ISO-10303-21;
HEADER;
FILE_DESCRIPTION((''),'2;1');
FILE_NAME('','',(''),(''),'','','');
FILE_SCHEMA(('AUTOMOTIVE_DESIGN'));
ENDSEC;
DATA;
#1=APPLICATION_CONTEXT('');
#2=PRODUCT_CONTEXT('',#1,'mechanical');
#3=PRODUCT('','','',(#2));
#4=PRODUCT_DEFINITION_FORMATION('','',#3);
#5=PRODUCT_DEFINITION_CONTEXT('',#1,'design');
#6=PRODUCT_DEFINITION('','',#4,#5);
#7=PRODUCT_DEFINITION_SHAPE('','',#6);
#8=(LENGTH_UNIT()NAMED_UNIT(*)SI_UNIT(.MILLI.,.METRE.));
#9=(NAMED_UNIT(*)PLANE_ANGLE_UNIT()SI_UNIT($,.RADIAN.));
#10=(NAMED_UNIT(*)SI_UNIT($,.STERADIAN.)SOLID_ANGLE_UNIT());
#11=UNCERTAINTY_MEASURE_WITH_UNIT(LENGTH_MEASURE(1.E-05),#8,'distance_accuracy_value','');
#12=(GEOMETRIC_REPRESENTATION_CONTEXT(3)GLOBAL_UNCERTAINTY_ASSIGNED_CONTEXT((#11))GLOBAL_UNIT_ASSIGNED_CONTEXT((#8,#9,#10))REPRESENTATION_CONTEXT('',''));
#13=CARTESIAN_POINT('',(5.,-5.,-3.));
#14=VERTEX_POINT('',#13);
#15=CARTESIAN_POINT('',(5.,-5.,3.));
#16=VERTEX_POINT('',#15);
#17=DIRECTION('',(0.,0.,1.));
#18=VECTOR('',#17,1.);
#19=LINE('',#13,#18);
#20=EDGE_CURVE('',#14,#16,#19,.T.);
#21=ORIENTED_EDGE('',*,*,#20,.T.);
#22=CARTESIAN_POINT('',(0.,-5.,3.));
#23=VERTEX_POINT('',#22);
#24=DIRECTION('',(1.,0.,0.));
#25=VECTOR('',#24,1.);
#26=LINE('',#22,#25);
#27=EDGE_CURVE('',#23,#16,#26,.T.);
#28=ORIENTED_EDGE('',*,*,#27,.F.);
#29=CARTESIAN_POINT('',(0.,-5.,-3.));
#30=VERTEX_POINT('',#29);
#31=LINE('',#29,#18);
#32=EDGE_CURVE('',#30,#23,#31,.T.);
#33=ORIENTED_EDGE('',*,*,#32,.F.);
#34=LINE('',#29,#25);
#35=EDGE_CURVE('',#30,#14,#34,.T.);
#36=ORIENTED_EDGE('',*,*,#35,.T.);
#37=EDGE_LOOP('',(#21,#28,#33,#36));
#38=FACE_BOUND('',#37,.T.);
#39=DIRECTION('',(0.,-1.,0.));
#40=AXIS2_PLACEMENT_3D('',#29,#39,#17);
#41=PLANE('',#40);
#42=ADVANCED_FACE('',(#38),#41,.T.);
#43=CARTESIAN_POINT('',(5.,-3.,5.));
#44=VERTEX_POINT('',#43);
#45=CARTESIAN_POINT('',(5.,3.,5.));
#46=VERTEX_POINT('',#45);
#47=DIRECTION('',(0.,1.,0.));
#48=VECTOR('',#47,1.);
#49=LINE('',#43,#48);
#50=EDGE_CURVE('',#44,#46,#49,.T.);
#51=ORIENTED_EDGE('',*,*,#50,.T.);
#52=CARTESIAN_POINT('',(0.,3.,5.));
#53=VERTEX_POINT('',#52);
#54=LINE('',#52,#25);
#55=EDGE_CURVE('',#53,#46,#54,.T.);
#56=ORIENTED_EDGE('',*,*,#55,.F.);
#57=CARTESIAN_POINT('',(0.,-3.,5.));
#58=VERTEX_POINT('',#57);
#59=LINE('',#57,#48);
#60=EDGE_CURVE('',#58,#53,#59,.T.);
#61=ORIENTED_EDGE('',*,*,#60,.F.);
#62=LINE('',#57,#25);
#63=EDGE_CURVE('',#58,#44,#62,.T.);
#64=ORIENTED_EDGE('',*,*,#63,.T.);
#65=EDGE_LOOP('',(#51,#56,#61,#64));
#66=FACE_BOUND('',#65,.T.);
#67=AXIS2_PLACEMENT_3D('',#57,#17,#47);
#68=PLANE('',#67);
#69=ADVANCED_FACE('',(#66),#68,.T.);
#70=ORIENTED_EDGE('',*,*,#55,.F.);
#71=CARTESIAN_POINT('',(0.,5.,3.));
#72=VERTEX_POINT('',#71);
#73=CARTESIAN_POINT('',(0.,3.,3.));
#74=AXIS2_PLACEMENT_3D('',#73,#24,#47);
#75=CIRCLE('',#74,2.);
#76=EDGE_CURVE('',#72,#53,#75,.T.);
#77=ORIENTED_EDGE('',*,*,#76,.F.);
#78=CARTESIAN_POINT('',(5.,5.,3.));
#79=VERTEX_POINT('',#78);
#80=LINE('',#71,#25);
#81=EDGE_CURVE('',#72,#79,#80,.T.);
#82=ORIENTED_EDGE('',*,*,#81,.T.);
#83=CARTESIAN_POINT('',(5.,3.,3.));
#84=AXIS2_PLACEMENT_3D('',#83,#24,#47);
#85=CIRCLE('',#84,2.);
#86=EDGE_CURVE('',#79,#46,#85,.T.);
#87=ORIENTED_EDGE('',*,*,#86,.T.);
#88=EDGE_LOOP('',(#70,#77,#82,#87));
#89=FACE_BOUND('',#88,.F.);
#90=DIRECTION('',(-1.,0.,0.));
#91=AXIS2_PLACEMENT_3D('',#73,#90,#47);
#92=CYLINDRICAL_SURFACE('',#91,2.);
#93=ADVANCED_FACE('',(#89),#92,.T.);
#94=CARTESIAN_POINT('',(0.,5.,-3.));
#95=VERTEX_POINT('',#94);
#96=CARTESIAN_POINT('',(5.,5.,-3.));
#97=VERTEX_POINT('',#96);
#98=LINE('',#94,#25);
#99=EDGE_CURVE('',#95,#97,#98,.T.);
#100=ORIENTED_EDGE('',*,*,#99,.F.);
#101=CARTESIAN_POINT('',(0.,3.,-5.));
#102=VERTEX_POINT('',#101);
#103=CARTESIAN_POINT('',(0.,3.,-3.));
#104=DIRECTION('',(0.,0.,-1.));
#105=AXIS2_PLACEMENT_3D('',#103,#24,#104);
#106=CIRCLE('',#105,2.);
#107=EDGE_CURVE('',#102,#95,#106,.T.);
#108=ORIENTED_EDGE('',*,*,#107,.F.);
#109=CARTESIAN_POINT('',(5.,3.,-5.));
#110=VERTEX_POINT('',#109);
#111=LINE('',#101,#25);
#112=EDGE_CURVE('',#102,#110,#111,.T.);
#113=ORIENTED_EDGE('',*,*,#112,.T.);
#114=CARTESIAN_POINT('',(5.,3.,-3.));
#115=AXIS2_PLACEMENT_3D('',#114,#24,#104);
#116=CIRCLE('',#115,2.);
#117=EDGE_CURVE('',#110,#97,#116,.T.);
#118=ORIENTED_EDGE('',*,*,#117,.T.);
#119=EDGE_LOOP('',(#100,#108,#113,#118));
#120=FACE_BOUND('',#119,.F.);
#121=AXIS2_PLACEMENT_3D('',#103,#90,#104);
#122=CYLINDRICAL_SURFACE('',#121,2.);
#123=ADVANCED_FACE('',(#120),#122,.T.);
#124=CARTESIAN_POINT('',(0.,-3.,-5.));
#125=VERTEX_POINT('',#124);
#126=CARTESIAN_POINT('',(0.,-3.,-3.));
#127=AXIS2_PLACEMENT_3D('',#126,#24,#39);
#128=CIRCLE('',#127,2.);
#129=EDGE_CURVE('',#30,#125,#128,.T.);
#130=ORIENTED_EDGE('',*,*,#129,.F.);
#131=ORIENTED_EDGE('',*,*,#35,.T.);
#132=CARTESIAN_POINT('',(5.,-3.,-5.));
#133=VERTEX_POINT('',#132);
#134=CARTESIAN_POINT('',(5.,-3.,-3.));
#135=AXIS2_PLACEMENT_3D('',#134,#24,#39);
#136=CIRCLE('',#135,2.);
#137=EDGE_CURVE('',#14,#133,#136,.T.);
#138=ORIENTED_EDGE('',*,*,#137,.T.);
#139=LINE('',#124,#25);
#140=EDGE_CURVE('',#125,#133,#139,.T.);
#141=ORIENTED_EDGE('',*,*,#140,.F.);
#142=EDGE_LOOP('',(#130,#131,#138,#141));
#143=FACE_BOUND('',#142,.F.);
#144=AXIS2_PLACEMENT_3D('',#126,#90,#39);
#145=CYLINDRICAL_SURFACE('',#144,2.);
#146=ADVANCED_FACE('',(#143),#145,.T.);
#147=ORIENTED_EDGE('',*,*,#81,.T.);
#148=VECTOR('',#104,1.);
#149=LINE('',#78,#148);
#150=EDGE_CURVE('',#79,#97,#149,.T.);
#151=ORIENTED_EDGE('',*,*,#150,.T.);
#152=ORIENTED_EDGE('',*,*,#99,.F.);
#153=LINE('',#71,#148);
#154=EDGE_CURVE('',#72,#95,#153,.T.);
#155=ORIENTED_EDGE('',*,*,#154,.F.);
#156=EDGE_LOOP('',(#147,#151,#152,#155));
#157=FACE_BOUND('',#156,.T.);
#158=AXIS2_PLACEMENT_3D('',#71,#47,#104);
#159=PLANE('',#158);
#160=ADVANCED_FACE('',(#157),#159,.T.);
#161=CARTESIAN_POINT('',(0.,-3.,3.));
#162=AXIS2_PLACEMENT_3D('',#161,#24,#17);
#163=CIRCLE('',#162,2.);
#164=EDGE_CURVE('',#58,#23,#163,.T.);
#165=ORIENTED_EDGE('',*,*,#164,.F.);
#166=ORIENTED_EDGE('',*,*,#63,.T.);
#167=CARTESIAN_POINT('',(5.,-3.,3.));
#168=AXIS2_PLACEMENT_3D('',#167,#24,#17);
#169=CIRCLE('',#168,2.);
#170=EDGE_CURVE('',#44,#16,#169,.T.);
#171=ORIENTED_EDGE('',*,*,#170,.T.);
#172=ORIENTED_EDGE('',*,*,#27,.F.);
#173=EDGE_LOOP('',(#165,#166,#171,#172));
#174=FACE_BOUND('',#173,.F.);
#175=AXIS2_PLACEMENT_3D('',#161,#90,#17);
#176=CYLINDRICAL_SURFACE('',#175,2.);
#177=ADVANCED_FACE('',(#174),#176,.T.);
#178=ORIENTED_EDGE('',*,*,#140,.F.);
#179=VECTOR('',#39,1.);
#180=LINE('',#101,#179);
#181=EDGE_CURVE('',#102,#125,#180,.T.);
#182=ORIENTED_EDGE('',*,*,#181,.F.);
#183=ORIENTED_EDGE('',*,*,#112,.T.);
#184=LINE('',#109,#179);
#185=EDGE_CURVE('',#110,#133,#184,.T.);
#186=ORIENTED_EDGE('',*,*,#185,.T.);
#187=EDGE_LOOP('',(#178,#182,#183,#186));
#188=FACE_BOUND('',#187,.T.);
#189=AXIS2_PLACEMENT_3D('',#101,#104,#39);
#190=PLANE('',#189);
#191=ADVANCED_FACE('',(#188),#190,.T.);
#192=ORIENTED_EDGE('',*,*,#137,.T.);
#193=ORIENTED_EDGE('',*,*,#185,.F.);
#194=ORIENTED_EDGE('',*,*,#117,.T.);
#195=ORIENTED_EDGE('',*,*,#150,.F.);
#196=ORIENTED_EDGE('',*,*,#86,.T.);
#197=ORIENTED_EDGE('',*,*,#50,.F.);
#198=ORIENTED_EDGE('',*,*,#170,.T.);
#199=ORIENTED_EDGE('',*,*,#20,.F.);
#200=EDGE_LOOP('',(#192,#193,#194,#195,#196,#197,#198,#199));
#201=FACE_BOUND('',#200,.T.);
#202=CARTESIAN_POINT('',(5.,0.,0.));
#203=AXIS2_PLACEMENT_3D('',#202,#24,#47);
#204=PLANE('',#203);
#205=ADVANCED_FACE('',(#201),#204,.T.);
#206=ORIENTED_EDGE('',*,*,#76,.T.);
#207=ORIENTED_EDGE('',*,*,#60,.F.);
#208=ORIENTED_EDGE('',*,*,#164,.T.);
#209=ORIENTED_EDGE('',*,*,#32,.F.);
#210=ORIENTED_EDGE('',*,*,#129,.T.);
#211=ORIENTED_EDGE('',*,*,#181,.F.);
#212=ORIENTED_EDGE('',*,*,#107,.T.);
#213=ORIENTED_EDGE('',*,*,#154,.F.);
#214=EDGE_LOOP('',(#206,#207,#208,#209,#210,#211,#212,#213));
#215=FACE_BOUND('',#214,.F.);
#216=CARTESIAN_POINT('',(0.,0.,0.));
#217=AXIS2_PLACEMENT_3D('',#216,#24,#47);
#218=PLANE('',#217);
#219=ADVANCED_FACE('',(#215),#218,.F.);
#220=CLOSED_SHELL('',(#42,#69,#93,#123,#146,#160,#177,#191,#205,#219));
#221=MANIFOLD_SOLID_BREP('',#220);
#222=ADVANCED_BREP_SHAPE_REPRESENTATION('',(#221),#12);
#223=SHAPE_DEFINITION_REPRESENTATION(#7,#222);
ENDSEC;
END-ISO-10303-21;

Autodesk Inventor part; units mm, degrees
ref_plane "YZ Plane" through (0, 0, 0) normal (1, 0, 0) x (0, 1, 0)
ref_plane "XZ Plane" through (0, 0, 0) normal (0, 1, 0) x (-1, 0, 0)
ref_plane "XY Plane" through (0, 0, 0) normal (0, 0, 1) x (1, 0, 0)
sketch "Sketch1" plane through (0, 0, 0) normal (1, 0, 0) x (0, 1, 0)
  line L0 (-3, 5) -> (3, 5)
  line L1 (5, 3) -> (5, -3)
  line L2 (3, -5) -> (-3, -5)
  line L3 (-5, -3) -> (-5, 3)
  line L4 (-5, 5) -> (5, -5) construction
  line L5 (5, 5) -> (-5, -5) construction
  arc A0 (5, 3) -> (3, 5) centre (3, 3) ccw
  arc A1 (3, -5) -> (5, -3) centre (3, -3) ccw
  arc A2 (-3, 5) -> (-5, 3) centre (-3, 3) ccw
  arc A3 (-5, -3) -> (-3, -5) centre (-3, -3) ccw
  point P0 (0, 0)
  dimension "d0" = 10
  dimension "d1" = 10
  dimension "d2" = 2
  dimension "d3" = 2
extrude "Extrusion1" add sketch "Sketch1" along normal blind 5
properties part number "Buttons"
